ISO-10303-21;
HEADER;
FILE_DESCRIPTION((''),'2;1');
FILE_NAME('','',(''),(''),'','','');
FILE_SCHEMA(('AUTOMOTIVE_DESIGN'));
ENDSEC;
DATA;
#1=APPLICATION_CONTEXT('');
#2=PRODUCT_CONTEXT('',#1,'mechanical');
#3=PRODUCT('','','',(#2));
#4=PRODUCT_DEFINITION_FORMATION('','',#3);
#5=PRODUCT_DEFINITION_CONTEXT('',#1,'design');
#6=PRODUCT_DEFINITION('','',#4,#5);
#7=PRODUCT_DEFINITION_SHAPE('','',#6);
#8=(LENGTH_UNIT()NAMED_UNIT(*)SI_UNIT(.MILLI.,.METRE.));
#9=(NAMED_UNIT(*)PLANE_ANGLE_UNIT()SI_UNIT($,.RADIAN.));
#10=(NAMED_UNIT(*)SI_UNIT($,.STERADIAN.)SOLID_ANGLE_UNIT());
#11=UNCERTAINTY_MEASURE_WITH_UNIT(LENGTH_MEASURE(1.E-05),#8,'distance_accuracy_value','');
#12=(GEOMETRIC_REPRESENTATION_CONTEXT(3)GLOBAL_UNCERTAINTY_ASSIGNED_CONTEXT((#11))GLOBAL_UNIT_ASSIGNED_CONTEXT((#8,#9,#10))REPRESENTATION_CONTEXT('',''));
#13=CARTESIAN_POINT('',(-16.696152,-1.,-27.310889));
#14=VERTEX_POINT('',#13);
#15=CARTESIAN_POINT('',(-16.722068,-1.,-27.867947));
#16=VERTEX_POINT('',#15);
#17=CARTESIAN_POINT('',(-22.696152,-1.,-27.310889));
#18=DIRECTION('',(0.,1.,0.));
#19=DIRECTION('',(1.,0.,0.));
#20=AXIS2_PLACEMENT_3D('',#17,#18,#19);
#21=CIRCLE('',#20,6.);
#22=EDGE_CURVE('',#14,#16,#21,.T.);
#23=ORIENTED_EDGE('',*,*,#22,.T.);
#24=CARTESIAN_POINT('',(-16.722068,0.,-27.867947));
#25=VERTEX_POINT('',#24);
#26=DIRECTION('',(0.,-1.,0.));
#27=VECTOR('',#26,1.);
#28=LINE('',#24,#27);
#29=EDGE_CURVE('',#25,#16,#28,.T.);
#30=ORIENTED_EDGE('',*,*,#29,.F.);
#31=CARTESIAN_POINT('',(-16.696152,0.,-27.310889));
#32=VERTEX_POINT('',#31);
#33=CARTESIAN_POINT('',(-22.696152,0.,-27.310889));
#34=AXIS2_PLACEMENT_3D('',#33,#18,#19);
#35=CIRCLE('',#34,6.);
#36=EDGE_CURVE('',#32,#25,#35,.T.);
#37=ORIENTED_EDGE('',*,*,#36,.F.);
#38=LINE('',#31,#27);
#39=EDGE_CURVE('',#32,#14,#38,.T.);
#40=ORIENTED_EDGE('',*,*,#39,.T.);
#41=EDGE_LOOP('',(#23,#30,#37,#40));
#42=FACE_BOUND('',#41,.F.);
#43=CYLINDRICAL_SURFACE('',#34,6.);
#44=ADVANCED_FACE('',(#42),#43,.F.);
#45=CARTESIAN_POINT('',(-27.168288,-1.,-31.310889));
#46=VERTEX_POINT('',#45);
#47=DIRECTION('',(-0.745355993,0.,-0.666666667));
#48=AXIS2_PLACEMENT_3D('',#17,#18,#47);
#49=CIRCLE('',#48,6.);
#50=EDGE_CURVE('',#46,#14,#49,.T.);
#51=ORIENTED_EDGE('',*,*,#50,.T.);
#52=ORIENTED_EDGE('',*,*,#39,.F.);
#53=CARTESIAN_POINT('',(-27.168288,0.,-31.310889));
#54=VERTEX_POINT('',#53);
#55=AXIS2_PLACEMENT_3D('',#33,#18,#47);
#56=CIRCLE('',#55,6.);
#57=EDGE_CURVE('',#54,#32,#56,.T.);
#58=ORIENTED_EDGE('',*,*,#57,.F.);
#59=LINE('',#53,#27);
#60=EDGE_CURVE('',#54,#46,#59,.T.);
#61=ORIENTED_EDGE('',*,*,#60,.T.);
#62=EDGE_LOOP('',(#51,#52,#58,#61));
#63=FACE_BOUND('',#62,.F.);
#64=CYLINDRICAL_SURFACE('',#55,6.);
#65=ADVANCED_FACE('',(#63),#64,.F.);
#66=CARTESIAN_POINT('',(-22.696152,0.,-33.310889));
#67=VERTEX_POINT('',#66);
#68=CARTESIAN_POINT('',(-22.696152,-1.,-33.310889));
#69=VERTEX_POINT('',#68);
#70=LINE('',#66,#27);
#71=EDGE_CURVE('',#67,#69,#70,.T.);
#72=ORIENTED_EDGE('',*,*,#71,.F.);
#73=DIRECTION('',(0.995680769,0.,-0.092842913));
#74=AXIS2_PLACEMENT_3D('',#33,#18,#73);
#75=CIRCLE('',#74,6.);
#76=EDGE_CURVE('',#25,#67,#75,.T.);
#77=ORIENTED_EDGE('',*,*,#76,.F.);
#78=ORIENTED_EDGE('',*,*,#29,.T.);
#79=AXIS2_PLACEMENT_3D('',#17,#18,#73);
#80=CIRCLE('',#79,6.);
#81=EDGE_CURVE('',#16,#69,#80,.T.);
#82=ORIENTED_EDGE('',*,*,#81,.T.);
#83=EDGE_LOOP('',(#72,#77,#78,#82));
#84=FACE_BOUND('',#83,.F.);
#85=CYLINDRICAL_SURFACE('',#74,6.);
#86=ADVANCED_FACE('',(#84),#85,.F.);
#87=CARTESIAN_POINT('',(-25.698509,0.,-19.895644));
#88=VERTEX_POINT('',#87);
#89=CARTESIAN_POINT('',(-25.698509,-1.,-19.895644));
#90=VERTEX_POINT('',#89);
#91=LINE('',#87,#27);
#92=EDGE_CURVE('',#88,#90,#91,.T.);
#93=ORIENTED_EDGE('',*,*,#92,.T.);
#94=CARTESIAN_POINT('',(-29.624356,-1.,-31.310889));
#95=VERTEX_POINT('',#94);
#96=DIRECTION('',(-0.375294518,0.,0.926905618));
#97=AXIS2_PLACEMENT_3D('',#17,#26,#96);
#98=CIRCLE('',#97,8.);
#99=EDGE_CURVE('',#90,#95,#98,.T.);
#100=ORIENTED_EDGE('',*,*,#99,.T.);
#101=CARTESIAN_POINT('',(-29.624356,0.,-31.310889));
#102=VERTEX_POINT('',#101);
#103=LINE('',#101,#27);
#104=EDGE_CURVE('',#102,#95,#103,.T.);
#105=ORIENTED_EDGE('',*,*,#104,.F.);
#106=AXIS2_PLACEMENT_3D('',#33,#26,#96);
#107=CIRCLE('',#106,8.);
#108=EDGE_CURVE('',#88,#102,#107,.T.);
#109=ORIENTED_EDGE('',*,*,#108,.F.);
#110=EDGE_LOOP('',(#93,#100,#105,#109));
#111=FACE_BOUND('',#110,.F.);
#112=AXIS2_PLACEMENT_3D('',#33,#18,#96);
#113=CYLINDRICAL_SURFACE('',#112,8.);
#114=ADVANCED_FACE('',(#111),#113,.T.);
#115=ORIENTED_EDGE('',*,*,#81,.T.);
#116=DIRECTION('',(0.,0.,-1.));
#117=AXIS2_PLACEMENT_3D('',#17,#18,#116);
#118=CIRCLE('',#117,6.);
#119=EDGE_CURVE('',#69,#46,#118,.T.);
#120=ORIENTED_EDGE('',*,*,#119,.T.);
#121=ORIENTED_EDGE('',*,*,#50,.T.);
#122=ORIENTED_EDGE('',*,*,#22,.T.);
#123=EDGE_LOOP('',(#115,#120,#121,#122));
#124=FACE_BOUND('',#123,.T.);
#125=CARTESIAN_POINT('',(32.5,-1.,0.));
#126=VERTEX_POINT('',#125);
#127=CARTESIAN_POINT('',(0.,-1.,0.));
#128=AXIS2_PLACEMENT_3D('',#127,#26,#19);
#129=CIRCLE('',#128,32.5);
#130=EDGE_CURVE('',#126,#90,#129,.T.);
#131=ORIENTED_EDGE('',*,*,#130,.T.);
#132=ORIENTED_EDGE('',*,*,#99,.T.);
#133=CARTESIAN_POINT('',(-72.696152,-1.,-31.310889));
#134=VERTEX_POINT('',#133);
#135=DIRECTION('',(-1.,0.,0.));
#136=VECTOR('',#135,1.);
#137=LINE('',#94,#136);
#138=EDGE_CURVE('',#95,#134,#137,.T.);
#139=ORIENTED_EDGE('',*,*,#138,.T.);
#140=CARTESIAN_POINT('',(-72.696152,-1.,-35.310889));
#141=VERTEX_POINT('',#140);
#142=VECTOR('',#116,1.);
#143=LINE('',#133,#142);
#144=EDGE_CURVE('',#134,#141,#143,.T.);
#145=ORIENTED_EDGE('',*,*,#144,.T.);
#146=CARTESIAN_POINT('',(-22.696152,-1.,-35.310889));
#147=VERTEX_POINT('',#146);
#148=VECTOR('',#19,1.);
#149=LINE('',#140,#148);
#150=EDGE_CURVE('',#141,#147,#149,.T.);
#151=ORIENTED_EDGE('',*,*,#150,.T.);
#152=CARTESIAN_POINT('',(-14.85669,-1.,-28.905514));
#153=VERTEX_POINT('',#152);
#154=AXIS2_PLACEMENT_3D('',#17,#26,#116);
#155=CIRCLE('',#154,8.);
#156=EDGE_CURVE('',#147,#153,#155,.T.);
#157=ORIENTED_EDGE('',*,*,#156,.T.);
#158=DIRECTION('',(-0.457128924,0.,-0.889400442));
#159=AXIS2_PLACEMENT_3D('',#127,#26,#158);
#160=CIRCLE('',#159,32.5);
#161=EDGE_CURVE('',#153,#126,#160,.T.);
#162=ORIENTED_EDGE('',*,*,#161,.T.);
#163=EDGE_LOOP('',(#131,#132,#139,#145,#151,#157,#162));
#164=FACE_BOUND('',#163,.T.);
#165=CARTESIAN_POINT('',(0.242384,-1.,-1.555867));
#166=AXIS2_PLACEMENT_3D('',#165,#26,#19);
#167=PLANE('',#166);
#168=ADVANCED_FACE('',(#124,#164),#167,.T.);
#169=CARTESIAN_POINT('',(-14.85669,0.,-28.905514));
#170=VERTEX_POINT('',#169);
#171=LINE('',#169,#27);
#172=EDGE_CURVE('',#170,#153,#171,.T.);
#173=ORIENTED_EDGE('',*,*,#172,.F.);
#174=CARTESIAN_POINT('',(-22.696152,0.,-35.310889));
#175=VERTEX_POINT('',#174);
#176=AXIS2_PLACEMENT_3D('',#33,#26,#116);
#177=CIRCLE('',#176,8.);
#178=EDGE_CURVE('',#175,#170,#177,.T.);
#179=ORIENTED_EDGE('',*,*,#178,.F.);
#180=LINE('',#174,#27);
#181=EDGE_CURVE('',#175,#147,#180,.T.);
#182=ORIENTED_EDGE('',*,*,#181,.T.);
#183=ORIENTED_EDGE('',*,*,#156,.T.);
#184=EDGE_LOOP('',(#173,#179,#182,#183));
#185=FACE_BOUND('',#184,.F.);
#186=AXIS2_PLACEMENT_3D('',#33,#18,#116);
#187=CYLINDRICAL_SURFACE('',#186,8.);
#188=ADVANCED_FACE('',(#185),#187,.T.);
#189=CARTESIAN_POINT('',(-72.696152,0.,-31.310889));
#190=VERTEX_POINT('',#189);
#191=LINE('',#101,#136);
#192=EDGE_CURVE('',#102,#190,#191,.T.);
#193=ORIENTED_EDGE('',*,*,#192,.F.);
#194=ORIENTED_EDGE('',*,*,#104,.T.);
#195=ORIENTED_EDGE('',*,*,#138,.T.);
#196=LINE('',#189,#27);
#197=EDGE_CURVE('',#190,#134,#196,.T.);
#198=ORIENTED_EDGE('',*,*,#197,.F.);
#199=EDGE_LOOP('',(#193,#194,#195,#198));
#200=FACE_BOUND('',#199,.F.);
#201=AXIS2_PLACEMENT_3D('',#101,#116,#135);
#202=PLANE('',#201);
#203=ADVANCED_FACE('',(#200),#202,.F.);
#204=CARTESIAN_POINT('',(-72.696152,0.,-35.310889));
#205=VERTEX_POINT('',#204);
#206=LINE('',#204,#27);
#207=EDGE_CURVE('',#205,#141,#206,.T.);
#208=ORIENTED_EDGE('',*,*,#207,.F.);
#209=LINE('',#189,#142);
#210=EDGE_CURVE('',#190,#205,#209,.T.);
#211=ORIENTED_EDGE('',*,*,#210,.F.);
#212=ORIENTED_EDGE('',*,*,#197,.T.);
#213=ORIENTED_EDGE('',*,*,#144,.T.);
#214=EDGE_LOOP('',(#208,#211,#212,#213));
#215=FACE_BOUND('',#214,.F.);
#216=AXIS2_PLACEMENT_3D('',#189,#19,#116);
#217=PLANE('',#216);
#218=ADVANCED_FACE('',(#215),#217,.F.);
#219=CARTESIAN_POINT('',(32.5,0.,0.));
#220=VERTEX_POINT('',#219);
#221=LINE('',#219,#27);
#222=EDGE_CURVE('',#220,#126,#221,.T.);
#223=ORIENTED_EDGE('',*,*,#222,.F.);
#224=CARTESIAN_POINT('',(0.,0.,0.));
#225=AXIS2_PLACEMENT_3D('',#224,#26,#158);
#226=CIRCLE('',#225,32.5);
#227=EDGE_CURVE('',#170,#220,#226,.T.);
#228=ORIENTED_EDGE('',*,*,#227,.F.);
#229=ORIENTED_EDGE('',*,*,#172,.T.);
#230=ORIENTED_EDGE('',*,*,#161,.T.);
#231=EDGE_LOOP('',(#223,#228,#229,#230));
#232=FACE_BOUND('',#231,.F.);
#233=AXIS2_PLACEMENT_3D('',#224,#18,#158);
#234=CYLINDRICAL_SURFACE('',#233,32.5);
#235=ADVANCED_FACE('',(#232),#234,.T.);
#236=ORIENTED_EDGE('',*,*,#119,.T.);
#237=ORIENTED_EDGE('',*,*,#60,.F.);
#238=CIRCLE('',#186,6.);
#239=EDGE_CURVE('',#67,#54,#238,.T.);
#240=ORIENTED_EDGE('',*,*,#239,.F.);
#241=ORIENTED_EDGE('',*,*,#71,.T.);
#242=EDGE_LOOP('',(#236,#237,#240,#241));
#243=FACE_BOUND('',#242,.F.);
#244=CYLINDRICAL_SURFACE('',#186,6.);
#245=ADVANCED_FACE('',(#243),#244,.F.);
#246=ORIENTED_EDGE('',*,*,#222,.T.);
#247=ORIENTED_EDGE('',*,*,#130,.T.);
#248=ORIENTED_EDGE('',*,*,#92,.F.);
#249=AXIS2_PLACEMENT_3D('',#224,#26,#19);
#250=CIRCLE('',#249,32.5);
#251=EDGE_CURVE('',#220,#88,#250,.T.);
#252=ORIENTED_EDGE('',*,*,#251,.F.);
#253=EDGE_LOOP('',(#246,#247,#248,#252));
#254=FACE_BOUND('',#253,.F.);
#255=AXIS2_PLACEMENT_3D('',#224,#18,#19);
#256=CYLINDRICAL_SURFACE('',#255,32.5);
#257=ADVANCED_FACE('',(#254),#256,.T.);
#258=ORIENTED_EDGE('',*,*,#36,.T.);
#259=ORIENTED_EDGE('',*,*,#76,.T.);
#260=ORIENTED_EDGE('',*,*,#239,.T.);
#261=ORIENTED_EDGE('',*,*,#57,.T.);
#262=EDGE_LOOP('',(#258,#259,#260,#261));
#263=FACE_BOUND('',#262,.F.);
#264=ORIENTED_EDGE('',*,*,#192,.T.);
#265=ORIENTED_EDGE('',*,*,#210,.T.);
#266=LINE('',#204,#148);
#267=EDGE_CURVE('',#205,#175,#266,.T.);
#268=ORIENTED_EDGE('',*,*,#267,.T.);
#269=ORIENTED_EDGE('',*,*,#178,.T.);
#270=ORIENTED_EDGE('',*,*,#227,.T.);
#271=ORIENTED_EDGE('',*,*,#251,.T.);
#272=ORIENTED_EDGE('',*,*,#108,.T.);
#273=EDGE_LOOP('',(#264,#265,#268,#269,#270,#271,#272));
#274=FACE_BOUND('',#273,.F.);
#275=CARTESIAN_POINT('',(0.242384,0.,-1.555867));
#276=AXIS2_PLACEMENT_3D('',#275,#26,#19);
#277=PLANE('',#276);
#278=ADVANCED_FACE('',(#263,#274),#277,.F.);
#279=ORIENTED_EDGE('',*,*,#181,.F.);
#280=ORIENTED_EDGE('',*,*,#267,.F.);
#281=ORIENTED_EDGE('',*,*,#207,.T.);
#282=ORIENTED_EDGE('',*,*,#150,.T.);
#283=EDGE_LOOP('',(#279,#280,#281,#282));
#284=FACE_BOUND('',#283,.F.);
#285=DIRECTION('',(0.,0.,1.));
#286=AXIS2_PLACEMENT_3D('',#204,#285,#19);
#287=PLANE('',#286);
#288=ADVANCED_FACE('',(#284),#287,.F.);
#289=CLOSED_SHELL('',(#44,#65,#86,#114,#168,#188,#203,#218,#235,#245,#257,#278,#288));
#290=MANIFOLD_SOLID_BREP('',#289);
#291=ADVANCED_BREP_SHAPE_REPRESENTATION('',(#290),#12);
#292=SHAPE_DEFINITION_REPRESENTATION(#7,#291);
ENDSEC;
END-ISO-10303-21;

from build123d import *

# Parameters (mm, degrees)
F1_DEPTH = 1


with BuildPart() as f1:
    # F0 (on Front) → F1 (new body)
    with BuildSketch(Plane.XZ):
        with BuildLine():
            ThreePointArc((-14.8566900459, -28.905514368), (16.9323296316, -27.7406959762), (32.5, 0))
            ThreePointArc((32.5, 0), (-10.5130507391, 30.7526545872), (-25.6985085636, -19.8956441868))
            ThreePointArc((-25.6985085636, -19.8956441868), (-18.2250702901, -20.6769291866), (-14.6961524227, -27.3108891325))
            ThreePointArc((-14.6961524227, -27.3108891325), (-14.7363880099, -28.1122320632), (-14.8566900459, -28.905514368))
        make_face()
        with BuildLine():
            ThreePointArc((-14.6961524227, -27.3108891325), (-18.2250702901, -20.6769291866), (-25.6985085636, -19.8956441868))
            ThreePointArc((-25.6985085636, -19.8956441868), (-25.0312995122, -20.7288215953), (-24.3370897754, -21.5396393021))
            ThreePointArc((-24.3370897754, -21.5396393021), (-19.0799129475, -22.5231117715), (-16.6961524227, -27.3108891325))
            ThreePointArc((-16.6961524227, -27.3108891325), (-16.7026347711, -27.5897191161), (-16.7220678093, -27.8679466086))
            ThreePointArc((-16.7220678093, -27.8679466086), (-15.7978993424, -28.4020488058), (-14.8566900459, -28.905514368))
            ThreePointArc((-14.8566900459, -28.905514368), (-14.7363880099, -28.1122320632), (-14.6961524227, -27.3108891325))
        make_face()
        with BuildLine():
            ThreePointArc((-24.3370897754, -21.5396393021), (-25.0312995122, -20.7288215953), (-25.6985085636, -19.8956441868))
            ThreePointArc((-25.6985085636, -19.8956441868), (-30.2612668731, -24.7091506075), (-29.624355653, -31.3108891325))
            Line((-29.624355653, -31.3108891325), (-27.1682883777, -31.3108891325))
            ThreePointArc((-27.1682883777, -31.3108891325), (-28.4591158208, -25.6410828946), (-24.3370897754, -21.5396393021))
        make_face()
        with BuildLine():
            ThreePointArc((-22.6961524227, -35.3108891325), (-17.6343840501, -33.5059275458), (-14.8566900459, -28.905514368))
            ThreePointArc((-14.8566900459, -28.905514368), (-15.7978993424, -28.4020488058), (-16.7220678093, -27.8679466086))
            ThreePointArc((-16.7220678093, -27.8679466086), (-18.6552580203, -31.7461086793), (-22.6961524227, -33.3108891325))
            Line((-22.6961524227, -33.3108891325), (-22.6961524227, -35.3108891325))
        make_face()
        with BuildLine():
            ThreePointArc((-22.6961524227, -35.3108891325), (-26.6961524227, -34.2390923627), (-29.624355653, -31.3108891325))
            Line((-29.624355653, -31.3108891325), (-72.6961524227, -31.3108891325))
            Line((-72.6961524227, -31.3108891325), (-72.6961524227, -35.3108891325))
            Line((-72.6961524227, -35.3108891325), (-22.6961524227, -35.3108891325))
        make_face()
        with BuildLine():
            Line((-27.1682883777, -31.3108891325), (-29.624355653, -31.3108891325))
            ThreePointArc((-29.624355653, -31.3108891325), (-26.6961524227, -34.2390923627), (-22.6961524227, -35.3108891325))
            Line((-22.6961524227, -35.3108891325), (-22.6961524227, -33.3108891325))
            ThreePointArc((-22.6961524227, -33.3108891325), (-25.1456421655, -32.7881147075), (-27.1682883777, -31.3108891325))
        make_face()
    extrude(amount=F1_DEPTH)


solid = f1.part
